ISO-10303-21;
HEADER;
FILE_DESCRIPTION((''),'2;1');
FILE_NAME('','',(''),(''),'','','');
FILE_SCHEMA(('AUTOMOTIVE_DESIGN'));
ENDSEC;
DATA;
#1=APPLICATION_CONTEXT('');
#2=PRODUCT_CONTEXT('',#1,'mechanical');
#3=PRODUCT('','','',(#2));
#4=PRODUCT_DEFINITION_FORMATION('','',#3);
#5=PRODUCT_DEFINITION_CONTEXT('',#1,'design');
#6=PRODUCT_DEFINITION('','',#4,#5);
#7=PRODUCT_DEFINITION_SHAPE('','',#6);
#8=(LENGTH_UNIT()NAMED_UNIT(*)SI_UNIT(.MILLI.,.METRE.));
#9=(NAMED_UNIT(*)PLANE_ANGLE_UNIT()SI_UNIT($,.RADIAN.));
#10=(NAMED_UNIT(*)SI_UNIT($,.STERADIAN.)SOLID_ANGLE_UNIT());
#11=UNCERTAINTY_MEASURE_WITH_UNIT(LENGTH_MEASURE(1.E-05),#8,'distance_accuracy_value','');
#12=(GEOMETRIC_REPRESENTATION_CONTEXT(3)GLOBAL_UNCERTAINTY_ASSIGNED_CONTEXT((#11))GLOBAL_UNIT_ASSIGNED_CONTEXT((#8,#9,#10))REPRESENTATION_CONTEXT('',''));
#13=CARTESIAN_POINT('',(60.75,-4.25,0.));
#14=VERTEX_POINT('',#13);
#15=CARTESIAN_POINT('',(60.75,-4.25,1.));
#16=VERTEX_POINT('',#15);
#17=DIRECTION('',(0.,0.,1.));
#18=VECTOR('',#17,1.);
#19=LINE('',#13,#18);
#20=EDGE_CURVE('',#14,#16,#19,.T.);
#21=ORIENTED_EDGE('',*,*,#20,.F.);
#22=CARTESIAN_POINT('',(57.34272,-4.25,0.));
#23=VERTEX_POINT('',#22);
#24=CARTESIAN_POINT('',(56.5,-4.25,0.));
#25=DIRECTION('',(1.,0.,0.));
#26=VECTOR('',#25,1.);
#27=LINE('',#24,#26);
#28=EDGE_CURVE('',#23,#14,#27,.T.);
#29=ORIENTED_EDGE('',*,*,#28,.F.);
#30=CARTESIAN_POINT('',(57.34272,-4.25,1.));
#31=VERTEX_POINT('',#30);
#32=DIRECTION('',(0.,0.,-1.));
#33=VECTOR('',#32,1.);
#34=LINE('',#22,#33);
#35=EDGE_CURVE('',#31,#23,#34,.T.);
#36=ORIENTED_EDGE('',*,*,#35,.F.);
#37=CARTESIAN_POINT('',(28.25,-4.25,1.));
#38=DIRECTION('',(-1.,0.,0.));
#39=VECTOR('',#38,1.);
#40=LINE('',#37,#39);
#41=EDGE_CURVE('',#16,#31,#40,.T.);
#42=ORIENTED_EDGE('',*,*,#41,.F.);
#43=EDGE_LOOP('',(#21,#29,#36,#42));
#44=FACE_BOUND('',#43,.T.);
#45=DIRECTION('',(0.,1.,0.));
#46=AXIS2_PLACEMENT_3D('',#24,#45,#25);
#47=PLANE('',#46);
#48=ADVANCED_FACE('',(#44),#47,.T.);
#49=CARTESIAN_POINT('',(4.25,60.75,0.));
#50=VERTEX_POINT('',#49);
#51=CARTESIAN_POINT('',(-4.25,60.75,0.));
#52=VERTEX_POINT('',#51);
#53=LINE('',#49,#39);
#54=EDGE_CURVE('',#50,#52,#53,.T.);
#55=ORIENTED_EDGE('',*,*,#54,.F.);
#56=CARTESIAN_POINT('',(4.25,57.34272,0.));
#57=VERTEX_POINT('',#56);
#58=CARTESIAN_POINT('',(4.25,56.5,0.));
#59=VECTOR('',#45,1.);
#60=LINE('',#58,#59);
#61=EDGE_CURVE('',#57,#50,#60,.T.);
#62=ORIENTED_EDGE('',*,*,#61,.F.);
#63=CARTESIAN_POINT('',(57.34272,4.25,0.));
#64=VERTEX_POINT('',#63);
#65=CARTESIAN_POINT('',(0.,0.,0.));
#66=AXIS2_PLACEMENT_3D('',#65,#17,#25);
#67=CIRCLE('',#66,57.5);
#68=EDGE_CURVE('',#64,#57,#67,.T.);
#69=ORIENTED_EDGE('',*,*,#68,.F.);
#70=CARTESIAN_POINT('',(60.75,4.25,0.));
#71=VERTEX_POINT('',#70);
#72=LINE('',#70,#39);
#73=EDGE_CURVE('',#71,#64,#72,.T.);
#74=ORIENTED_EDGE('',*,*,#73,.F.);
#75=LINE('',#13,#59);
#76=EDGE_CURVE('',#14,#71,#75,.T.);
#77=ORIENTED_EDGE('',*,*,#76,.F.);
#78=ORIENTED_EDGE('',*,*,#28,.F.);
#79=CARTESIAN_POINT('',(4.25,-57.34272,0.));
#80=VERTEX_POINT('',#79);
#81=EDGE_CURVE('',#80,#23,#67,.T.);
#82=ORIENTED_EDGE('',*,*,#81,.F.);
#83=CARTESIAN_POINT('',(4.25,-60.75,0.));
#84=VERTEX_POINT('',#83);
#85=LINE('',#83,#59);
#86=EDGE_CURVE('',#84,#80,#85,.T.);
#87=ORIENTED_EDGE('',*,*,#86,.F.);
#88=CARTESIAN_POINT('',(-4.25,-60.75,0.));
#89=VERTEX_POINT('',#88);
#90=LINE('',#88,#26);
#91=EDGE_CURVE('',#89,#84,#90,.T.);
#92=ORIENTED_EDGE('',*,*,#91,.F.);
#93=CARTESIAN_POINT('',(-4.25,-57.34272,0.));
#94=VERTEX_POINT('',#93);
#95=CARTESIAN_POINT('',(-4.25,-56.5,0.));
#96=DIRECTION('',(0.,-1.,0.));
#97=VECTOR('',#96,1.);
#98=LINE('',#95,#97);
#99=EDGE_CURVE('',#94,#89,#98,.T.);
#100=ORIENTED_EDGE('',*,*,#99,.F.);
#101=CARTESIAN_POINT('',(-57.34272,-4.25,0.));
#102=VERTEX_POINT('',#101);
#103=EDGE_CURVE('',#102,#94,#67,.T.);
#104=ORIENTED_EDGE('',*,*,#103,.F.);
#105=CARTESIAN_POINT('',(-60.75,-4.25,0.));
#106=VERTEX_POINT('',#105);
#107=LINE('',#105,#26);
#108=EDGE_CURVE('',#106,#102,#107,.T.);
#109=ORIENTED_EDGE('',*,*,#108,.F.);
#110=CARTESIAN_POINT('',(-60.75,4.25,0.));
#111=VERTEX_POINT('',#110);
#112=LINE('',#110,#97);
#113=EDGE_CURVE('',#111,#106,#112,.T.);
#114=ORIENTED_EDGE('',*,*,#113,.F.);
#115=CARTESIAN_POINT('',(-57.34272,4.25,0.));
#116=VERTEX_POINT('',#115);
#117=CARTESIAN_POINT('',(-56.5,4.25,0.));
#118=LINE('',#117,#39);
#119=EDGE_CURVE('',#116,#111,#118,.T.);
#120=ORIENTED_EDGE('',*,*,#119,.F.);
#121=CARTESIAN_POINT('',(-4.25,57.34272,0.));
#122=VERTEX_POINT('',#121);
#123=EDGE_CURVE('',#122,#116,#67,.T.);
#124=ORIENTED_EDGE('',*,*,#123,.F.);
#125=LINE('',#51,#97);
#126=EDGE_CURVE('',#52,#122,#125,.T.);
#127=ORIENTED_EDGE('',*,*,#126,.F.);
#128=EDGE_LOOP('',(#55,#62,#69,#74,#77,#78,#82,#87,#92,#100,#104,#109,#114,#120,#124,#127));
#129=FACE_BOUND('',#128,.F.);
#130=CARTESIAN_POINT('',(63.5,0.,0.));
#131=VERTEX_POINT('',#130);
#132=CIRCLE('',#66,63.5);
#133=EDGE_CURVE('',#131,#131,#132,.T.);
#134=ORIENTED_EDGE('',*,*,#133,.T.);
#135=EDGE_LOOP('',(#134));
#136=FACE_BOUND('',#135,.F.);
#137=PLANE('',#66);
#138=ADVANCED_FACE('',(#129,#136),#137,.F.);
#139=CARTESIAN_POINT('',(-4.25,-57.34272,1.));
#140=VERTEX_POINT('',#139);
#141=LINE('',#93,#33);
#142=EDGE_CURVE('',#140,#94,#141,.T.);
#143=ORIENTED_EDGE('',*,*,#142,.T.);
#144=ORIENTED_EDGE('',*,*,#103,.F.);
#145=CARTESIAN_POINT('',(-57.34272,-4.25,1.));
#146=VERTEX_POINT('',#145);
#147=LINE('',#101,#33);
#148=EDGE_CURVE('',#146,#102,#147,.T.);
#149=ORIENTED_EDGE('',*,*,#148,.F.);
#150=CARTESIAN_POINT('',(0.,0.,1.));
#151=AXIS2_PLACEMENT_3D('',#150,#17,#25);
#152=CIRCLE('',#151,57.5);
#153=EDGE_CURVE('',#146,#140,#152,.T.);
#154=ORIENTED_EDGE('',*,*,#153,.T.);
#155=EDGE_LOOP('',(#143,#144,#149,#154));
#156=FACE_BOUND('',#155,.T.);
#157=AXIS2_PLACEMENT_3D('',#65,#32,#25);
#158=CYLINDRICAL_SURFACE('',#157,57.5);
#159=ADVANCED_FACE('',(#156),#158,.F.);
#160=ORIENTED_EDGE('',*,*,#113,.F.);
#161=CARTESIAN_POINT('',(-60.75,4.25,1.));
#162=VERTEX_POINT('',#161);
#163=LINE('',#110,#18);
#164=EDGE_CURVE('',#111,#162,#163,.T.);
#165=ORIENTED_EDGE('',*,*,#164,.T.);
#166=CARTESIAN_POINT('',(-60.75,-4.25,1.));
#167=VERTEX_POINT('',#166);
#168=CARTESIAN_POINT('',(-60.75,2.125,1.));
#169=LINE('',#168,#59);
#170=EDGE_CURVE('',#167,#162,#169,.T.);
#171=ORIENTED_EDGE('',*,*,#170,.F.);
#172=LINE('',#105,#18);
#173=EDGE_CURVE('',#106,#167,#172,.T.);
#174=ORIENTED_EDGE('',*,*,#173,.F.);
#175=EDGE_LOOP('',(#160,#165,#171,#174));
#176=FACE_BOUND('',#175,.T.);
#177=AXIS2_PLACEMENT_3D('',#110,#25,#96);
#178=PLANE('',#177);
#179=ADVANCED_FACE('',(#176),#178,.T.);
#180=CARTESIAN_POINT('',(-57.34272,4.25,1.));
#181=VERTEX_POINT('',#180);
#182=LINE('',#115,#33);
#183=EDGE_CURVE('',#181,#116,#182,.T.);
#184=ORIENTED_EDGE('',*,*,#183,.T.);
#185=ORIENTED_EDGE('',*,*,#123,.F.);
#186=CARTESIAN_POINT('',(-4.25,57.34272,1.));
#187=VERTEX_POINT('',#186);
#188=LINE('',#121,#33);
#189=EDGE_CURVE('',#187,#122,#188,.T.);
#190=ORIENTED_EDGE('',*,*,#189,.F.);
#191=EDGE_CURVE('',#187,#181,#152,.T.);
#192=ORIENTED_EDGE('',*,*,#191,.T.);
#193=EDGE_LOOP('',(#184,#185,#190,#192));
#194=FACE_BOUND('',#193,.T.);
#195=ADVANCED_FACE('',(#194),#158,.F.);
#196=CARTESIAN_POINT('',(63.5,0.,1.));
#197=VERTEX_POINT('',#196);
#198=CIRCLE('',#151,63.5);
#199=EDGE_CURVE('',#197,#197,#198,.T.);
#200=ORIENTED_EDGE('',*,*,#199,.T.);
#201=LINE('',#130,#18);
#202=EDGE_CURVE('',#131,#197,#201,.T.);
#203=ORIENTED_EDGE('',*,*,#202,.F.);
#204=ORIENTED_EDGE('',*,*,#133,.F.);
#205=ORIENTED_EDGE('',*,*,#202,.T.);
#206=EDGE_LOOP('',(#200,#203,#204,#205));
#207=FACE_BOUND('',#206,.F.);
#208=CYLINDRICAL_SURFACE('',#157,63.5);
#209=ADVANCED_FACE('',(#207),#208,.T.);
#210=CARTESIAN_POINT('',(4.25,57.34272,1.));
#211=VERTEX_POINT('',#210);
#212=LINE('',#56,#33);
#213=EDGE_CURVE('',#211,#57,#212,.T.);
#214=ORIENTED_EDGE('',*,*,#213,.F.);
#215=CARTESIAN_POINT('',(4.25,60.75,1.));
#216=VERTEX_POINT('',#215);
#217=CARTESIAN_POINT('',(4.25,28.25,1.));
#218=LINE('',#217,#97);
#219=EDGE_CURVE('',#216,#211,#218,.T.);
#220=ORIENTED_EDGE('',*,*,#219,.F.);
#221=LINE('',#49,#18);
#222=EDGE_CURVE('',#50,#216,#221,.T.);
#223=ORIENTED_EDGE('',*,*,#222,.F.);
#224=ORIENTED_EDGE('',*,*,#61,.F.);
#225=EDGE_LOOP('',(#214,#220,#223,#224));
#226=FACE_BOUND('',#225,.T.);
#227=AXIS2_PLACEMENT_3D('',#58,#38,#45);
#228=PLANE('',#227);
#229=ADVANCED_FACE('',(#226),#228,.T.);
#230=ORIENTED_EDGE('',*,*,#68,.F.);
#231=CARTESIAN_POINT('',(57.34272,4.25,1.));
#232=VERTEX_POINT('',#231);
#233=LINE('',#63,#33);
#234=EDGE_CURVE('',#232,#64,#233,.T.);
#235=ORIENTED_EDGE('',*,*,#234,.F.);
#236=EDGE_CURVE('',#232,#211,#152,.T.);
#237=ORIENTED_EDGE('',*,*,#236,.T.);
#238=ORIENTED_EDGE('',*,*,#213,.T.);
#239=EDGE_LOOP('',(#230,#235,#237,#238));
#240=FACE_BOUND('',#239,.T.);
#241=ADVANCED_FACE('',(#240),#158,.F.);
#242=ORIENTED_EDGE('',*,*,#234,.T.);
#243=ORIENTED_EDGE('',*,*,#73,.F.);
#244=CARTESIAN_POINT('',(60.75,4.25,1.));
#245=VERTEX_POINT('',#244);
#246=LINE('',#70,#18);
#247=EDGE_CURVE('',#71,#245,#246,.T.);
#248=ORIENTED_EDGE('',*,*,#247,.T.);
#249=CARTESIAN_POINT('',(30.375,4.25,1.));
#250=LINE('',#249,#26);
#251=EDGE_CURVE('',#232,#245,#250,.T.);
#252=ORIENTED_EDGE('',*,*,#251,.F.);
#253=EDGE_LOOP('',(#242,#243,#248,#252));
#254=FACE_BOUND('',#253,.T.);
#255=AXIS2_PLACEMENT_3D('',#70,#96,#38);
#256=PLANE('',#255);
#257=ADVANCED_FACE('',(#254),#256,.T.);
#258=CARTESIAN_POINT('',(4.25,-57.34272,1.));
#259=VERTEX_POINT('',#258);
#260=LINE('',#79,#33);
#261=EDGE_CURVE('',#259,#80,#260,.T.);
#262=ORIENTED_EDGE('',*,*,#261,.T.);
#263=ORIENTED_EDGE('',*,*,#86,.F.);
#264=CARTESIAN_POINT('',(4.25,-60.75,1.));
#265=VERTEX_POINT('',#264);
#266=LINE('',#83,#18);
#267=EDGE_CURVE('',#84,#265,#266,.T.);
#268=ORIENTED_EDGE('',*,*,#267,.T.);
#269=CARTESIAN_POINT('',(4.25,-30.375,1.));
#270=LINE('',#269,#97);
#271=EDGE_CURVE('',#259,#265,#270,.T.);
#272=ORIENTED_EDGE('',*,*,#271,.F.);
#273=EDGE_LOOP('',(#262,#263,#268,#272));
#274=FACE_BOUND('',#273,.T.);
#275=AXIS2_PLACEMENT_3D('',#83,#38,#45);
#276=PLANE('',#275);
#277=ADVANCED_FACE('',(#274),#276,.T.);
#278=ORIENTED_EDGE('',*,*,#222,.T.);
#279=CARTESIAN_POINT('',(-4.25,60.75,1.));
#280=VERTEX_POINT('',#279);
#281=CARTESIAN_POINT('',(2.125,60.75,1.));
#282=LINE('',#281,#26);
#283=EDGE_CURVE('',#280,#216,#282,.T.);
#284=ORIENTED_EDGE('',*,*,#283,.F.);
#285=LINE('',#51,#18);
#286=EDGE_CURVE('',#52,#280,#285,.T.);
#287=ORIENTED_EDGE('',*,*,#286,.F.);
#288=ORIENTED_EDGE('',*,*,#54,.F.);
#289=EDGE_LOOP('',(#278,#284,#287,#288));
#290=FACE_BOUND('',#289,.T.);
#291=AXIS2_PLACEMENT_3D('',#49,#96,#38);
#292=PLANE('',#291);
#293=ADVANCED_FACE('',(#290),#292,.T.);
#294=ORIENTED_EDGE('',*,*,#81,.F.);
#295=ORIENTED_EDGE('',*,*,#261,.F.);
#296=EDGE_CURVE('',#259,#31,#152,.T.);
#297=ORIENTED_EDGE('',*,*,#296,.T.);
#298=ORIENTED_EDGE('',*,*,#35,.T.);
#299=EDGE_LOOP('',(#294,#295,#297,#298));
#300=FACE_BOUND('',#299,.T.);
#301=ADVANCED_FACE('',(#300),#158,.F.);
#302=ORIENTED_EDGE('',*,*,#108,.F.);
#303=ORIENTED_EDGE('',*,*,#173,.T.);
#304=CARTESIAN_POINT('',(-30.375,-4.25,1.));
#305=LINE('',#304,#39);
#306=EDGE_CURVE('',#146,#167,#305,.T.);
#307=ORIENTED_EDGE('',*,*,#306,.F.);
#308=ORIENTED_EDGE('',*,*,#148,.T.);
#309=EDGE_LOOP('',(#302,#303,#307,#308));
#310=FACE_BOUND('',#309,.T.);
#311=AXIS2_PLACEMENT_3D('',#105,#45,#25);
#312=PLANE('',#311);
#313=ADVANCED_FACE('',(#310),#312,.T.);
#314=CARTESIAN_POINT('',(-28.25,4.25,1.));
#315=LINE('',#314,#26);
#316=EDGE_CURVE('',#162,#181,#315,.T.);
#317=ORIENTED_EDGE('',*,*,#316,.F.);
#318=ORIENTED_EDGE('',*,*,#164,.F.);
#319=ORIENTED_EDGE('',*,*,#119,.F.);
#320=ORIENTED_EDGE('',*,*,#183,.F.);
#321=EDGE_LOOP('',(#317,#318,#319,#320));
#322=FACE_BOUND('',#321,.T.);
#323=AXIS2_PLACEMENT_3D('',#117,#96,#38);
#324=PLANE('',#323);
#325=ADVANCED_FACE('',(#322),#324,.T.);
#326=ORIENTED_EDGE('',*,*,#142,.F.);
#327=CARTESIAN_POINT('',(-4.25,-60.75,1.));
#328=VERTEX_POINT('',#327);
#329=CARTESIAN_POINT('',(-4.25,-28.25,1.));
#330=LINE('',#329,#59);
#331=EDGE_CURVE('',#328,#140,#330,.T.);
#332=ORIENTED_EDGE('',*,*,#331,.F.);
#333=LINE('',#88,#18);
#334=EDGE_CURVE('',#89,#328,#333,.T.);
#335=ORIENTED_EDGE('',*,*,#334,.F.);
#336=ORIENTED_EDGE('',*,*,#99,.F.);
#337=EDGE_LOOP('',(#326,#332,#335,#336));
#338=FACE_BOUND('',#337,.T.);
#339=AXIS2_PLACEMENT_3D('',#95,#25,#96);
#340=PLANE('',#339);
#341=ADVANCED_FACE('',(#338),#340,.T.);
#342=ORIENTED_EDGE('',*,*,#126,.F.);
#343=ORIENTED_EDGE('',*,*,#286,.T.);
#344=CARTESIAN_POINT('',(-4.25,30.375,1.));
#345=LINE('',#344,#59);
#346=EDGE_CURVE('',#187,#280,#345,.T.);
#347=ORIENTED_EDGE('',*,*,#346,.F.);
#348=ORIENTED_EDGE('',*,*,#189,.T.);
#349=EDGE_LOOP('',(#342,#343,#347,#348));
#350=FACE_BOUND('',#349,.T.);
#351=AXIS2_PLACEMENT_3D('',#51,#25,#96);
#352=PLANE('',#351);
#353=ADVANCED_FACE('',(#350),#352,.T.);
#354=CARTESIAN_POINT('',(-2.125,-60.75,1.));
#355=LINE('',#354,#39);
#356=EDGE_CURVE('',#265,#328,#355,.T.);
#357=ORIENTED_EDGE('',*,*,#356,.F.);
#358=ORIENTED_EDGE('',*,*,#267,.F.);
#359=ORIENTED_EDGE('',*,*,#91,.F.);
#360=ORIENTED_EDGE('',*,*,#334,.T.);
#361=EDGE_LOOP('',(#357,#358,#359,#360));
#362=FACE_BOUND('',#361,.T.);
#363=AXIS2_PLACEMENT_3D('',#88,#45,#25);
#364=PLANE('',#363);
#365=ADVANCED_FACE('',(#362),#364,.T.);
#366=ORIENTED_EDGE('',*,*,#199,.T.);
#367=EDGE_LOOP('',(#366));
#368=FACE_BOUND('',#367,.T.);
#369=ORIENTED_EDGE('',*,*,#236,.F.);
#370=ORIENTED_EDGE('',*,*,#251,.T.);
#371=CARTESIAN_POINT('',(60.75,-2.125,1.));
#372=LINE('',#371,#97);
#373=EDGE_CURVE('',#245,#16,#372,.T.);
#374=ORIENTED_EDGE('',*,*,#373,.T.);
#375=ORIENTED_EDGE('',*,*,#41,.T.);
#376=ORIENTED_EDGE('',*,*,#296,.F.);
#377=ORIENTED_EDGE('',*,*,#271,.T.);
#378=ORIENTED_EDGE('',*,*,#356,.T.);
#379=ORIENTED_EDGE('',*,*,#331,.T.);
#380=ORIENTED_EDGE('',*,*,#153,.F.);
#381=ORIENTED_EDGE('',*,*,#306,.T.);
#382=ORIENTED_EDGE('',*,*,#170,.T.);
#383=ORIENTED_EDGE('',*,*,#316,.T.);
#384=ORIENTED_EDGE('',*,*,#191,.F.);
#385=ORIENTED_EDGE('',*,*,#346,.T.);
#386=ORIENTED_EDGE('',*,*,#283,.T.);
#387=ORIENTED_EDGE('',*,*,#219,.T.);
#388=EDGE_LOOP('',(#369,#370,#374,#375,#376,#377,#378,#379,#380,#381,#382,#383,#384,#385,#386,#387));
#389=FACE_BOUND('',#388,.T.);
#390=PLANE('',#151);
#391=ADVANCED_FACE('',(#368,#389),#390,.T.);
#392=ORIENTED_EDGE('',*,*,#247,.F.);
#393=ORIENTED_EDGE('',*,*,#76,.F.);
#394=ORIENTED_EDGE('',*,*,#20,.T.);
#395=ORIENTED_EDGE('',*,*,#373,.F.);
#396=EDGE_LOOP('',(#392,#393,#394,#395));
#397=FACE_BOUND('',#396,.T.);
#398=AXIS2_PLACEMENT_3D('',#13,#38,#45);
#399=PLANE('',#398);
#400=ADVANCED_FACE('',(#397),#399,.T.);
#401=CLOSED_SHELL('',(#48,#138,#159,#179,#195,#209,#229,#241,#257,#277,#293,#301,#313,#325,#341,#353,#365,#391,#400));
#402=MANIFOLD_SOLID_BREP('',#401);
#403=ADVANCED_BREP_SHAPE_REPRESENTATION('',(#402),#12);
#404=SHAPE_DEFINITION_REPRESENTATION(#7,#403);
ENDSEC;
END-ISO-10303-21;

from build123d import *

# Parameters (mm, degrees)
F0_R     = 63.5
F0_R_2   = 57.5
F1_DEPTH = 1
F3_DEPTH = 25


with BuildPart() as f1:
    # F0 (on Top) → F1 (new body)
    with BuildSketch(Plane.XY):
        Circle(F0_R)
        Circle(F0_R_2, mode=Mode.SUBTRACT)
    extrude(amount=F1_DEPTH)

    # F2 (on Top) → F3 (cut)
    with BuildSketch(Plane.XY):
        Polygon((4.25, 60.75), (0, 60.75), (-4.25, 60.75), (-4.25, 56.5), (4.25, 56.5), align=None)
        Polygon((-4.25, -60.75), (0, -60.75), (4.25, -60.75), (4.25, -56.5), (-4.25, -56.5), align=None)
        Polygon((-60.75, 4.25), (-60.75, 0), (-60.75, -4.25), (-56.5, -4.25), (-56.5, 4.25), align=None)
        Polygon((60.75, -4.25), (60.75, 0), (60.75, 4.25), (56.5, 4.25), (56.5, -4.25), align=None)
    extrude(amount=F3_DEPTH, mode=Mode.SUBTRACT)


solid = f1.part
